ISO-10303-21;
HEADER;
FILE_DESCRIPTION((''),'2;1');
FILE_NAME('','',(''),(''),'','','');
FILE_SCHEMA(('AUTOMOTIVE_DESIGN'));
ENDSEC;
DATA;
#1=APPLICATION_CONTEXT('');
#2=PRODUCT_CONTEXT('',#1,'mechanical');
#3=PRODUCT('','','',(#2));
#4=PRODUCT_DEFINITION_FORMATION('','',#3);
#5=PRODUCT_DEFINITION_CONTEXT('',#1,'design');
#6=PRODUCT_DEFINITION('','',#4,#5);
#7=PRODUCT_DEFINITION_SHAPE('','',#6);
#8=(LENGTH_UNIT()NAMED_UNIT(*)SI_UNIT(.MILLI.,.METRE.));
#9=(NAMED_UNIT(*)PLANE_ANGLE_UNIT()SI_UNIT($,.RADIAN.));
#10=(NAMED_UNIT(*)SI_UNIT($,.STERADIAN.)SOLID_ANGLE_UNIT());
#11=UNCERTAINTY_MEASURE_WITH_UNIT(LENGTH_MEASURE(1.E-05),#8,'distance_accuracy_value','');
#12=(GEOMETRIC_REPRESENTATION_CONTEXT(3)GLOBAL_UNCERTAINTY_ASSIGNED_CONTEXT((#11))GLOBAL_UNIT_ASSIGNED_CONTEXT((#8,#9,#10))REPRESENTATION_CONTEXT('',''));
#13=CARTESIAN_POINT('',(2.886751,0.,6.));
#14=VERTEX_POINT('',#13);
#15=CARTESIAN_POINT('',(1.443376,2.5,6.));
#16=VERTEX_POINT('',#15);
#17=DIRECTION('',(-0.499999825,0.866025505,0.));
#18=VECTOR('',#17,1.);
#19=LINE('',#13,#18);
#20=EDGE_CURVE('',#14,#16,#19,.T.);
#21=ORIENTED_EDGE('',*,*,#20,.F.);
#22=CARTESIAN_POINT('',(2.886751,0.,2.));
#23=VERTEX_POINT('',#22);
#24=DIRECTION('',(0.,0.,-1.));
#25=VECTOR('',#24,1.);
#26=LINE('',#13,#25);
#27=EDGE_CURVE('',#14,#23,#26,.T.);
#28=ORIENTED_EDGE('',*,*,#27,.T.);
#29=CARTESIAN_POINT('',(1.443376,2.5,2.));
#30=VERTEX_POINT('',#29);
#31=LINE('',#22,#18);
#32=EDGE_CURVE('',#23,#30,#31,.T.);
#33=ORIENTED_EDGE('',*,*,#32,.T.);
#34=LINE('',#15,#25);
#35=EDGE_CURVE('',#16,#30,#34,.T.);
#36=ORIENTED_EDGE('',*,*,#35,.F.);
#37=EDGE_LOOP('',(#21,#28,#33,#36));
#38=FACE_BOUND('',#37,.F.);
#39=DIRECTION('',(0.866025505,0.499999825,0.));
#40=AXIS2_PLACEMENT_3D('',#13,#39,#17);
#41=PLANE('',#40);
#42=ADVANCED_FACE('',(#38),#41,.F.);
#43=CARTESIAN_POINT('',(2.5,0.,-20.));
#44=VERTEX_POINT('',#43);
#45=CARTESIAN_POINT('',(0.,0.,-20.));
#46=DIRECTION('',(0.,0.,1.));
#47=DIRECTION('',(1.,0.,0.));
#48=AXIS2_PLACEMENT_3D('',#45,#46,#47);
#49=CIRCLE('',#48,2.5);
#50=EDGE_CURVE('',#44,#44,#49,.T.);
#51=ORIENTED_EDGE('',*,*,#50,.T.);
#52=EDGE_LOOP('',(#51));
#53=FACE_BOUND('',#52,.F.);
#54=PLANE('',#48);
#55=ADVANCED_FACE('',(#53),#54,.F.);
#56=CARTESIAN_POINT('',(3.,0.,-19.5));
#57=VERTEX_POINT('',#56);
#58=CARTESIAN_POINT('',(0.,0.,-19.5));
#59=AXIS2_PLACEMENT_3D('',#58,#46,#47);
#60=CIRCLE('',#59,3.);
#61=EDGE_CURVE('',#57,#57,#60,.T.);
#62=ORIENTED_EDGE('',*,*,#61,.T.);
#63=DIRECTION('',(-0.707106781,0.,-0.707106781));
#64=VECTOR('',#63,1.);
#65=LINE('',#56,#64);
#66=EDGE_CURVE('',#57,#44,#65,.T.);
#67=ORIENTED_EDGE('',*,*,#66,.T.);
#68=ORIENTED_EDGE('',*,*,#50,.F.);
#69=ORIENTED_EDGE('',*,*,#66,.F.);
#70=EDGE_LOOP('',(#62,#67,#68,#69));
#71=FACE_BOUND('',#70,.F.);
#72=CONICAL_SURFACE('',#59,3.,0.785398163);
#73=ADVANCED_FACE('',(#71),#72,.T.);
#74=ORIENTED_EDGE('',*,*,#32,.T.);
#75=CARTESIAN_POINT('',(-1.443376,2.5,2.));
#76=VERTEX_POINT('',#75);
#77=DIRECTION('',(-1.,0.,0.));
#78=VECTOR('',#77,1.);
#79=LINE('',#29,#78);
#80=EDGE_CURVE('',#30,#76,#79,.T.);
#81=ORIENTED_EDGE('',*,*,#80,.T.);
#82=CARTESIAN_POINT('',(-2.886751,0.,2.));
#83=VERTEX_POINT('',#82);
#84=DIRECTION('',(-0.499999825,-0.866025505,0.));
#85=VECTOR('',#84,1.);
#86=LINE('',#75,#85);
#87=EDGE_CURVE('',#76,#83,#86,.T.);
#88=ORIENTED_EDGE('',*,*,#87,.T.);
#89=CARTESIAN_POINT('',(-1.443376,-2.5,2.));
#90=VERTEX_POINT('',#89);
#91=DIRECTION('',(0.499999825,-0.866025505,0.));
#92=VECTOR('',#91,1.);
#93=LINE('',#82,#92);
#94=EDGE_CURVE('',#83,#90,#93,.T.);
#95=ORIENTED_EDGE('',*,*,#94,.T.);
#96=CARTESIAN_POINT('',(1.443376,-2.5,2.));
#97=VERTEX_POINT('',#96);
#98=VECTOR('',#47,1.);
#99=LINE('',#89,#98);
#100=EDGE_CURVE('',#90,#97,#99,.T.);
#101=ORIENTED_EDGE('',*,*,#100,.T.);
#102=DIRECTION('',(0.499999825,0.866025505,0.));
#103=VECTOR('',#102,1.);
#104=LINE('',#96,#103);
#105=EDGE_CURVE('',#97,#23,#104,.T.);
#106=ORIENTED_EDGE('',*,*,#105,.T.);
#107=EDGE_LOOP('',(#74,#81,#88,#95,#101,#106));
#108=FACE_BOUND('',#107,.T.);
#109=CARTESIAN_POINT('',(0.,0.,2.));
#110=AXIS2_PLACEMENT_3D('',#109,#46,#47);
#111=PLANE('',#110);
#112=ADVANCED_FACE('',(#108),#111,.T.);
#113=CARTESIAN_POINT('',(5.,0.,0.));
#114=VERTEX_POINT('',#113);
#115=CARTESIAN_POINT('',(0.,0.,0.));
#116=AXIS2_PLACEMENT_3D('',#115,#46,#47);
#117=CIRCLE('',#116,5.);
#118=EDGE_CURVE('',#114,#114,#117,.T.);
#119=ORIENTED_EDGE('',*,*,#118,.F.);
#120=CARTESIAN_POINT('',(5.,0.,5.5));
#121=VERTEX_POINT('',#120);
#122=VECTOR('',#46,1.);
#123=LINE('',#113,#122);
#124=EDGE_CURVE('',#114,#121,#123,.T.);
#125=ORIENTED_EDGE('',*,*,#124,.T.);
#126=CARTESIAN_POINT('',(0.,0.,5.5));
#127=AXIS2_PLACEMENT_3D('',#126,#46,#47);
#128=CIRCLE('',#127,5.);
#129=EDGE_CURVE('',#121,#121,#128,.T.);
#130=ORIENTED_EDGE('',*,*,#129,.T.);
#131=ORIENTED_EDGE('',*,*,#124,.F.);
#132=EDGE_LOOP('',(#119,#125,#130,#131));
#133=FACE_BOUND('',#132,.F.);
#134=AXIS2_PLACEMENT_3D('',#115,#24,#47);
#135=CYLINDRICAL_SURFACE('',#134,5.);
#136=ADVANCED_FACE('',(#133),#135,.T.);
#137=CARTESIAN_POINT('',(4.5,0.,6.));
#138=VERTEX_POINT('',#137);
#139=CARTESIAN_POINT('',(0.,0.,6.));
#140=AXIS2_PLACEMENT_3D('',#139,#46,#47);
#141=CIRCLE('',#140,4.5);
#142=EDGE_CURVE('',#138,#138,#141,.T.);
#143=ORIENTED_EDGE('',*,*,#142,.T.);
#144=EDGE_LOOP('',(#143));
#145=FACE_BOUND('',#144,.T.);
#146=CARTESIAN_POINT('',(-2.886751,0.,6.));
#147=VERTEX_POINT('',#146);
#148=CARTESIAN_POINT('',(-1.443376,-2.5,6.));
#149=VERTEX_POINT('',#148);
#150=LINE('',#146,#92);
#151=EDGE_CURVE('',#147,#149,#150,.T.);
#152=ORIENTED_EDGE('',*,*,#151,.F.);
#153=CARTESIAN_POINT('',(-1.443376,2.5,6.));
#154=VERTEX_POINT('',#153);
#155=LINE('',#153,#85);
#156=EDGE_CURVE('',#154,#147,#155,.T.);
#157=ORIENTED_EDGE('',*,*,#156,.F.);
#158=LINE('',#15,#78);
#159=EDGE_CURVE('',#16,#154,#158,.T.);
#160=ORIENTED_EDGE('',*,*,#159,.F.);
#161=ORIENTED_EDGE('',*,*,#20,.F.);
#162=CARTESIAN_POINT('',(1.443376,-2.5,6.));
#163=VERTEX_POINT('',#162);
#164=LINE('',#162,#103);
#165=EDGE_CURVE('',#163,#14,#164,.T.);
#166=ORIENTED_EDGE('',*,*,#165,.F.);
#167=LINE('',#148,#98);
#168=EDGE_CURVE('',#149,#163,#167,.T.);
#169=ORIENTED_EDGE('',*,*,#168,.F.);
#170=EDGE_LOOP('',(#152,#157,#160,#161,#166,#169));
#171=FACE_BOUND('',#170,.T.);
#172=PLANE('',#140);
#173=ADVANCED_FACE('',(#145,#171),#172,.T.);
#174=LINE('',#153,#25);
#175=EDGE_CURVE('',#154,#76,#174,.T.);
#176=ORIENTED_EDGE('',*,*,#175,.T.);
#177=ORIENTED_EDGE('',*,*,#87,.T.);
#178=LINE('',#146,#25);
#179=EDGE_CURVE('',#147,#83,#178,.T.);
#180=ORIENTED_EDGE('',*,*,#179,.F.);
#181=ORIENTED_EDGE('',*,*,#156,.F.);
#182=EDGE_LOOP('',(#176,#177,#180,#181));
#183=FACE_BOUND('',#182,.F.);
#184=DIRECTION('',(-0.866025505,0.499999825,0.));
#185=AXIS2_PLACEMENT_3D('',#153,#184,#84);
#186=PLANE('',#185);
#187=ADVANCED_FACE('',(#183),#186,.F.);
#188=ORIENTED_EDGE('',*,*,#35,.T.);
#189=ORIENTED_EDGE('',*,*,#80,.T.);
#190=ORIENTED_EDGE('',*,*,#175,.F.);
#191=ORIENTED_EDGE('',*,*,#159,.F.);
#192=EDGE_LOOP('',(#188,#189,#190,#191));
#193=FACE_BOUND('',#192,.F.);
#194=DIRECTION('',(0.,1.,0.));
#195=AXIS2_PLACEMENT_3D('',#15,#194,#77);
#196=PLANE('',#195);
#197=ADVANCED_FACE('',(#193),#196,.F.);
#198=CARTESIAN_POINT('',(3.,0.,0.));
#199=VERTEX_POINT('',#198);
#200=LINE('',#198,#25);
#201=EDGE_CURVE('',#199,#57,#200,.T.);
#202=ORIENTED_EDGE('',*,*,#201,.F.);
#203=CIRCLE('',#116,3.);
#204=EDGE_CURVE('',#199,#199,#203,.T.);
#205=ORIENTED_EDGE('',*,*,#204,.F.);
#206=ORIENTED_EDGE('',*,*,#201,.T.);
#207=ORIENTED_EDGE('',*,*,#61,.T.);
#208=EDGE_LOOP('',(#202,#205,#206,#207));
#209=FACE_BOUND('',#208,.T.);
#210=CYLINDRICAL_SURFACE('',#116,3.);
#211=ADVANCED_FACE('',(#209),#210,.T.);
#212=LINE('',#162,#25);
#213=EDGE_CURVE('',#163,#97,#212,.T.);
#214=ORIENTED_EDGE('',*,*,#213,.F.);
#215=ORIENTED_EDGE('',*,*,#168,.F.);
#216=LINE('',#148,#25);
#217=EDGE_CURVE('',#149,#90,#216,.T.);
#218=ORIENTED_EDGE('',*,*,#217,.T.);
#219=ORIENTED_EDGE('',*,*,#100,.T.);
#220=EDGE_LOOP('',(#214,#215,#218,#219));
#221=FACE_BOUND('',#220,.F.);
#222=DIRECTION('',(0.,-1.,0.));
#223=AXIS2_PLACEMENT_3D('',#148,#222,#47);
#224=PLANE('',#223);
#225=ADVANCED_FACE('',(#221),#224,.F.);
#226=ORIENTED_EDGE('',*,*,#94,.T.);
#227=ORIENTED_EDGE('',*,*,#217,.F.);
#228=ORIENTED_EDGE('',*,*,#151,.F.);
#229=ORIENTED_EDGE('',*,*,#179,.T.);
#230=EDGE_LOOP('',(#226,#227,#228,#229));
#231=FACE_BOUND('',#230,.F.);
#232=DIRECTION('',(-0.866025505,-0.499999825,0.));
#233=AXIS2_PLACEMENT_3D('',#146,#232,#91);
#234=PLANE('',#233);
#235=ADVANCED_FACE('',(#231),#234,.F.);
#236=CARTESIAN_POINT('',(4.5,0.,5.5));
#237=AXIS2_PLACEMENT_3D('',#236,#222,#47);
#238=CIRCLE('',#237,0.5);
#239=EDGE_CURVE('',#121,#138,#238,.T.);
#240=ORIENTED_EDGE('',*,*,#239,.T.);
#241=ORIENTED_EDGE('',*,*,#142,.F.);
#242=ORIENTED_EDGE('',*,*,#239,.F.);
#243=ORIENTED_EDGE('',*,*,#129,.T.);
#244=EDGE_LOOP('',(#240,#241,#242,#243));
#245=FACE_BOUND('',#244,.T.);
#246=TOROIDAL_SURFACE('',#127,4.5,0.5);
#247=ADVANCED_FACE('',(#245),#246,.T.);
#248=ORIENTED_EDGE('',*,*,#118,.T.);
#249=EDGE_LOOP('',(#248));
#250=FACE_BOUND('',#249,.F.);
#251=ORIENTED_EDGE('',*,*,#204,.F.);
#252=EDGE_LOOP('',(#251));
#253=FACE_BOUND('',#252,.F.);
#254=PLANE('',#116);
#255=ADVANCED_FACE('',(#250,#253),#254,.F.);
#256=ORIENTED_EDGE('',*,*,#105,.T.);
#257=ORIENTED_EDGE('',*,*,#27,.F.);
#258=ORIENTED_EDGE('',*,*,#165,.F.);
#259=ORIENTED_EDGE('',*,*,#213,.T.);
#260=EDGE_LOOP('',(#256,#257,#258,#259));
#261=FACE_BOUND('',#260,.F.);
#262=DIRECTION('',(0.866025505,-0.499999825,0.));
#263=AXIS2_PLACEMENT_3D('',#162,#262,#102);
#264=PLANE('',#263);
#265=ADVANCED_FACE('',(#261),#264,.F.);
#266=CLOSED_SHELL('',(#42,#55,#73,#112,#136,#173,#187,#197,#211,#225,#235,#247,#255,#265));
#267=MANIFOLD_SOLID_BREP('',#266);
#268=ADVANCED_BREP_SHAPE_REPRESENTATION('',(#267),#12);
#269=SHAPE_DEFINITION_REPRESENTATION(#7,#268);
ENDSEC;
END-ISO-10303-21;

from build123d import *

# Parameters (mm, degrees)
SKETCH_R     = 5
PAD_DEPTH    = 6
POCKET_DEPTH = 4
SKETCH002_R  = 3
PAD001_DEPTH = 20
FILLET_R     = 0.5
CHAMFER_SIZE = 0.5


with BuildPart() as part:
    # Sketch → Pad (new body)
    with BuildSketch(Plane.XY):
        Circle(SKETCH_R)
    extrude(amount=PAD_DEPTH)

    # Sketch001 (on Face3 of Pad) → Pocket (cut)
    with BuildSketch(Plane.XY.offset(6)):
        Polygon((2.886751, 0), (1.443376, 2.5), (-1.443376, 2.5), (-2.886751, 0), (-1.443376, -2.5), (1.443376, -2.5), align=None)
    extrude(amount=-POCKET_DEPTH, mode=Mode.SUBTRACT)

    # Sketch002 → Pad001 (join)
    with BuildSketch(Plane.XY):
        Circle(SKETCH002_R)
    extrude(amount=-PAD001_DEPTH)

    # Fillet
    fillet_edges = [part.edges().sort_by_distance(p)[0] for p in [
        (-5, 0, 6),
    ]]
    fillet(fillet_edges, radius=FILLET_R)

    # Chamfer
    chamfer_edges = [part.edges().sort_by_distance(p)[0] for p in [
        (-3, 0, -20),
    ]]
    chamfer(chamfer_edges, length=CHAMFER_SIZE)


solid = part.part
